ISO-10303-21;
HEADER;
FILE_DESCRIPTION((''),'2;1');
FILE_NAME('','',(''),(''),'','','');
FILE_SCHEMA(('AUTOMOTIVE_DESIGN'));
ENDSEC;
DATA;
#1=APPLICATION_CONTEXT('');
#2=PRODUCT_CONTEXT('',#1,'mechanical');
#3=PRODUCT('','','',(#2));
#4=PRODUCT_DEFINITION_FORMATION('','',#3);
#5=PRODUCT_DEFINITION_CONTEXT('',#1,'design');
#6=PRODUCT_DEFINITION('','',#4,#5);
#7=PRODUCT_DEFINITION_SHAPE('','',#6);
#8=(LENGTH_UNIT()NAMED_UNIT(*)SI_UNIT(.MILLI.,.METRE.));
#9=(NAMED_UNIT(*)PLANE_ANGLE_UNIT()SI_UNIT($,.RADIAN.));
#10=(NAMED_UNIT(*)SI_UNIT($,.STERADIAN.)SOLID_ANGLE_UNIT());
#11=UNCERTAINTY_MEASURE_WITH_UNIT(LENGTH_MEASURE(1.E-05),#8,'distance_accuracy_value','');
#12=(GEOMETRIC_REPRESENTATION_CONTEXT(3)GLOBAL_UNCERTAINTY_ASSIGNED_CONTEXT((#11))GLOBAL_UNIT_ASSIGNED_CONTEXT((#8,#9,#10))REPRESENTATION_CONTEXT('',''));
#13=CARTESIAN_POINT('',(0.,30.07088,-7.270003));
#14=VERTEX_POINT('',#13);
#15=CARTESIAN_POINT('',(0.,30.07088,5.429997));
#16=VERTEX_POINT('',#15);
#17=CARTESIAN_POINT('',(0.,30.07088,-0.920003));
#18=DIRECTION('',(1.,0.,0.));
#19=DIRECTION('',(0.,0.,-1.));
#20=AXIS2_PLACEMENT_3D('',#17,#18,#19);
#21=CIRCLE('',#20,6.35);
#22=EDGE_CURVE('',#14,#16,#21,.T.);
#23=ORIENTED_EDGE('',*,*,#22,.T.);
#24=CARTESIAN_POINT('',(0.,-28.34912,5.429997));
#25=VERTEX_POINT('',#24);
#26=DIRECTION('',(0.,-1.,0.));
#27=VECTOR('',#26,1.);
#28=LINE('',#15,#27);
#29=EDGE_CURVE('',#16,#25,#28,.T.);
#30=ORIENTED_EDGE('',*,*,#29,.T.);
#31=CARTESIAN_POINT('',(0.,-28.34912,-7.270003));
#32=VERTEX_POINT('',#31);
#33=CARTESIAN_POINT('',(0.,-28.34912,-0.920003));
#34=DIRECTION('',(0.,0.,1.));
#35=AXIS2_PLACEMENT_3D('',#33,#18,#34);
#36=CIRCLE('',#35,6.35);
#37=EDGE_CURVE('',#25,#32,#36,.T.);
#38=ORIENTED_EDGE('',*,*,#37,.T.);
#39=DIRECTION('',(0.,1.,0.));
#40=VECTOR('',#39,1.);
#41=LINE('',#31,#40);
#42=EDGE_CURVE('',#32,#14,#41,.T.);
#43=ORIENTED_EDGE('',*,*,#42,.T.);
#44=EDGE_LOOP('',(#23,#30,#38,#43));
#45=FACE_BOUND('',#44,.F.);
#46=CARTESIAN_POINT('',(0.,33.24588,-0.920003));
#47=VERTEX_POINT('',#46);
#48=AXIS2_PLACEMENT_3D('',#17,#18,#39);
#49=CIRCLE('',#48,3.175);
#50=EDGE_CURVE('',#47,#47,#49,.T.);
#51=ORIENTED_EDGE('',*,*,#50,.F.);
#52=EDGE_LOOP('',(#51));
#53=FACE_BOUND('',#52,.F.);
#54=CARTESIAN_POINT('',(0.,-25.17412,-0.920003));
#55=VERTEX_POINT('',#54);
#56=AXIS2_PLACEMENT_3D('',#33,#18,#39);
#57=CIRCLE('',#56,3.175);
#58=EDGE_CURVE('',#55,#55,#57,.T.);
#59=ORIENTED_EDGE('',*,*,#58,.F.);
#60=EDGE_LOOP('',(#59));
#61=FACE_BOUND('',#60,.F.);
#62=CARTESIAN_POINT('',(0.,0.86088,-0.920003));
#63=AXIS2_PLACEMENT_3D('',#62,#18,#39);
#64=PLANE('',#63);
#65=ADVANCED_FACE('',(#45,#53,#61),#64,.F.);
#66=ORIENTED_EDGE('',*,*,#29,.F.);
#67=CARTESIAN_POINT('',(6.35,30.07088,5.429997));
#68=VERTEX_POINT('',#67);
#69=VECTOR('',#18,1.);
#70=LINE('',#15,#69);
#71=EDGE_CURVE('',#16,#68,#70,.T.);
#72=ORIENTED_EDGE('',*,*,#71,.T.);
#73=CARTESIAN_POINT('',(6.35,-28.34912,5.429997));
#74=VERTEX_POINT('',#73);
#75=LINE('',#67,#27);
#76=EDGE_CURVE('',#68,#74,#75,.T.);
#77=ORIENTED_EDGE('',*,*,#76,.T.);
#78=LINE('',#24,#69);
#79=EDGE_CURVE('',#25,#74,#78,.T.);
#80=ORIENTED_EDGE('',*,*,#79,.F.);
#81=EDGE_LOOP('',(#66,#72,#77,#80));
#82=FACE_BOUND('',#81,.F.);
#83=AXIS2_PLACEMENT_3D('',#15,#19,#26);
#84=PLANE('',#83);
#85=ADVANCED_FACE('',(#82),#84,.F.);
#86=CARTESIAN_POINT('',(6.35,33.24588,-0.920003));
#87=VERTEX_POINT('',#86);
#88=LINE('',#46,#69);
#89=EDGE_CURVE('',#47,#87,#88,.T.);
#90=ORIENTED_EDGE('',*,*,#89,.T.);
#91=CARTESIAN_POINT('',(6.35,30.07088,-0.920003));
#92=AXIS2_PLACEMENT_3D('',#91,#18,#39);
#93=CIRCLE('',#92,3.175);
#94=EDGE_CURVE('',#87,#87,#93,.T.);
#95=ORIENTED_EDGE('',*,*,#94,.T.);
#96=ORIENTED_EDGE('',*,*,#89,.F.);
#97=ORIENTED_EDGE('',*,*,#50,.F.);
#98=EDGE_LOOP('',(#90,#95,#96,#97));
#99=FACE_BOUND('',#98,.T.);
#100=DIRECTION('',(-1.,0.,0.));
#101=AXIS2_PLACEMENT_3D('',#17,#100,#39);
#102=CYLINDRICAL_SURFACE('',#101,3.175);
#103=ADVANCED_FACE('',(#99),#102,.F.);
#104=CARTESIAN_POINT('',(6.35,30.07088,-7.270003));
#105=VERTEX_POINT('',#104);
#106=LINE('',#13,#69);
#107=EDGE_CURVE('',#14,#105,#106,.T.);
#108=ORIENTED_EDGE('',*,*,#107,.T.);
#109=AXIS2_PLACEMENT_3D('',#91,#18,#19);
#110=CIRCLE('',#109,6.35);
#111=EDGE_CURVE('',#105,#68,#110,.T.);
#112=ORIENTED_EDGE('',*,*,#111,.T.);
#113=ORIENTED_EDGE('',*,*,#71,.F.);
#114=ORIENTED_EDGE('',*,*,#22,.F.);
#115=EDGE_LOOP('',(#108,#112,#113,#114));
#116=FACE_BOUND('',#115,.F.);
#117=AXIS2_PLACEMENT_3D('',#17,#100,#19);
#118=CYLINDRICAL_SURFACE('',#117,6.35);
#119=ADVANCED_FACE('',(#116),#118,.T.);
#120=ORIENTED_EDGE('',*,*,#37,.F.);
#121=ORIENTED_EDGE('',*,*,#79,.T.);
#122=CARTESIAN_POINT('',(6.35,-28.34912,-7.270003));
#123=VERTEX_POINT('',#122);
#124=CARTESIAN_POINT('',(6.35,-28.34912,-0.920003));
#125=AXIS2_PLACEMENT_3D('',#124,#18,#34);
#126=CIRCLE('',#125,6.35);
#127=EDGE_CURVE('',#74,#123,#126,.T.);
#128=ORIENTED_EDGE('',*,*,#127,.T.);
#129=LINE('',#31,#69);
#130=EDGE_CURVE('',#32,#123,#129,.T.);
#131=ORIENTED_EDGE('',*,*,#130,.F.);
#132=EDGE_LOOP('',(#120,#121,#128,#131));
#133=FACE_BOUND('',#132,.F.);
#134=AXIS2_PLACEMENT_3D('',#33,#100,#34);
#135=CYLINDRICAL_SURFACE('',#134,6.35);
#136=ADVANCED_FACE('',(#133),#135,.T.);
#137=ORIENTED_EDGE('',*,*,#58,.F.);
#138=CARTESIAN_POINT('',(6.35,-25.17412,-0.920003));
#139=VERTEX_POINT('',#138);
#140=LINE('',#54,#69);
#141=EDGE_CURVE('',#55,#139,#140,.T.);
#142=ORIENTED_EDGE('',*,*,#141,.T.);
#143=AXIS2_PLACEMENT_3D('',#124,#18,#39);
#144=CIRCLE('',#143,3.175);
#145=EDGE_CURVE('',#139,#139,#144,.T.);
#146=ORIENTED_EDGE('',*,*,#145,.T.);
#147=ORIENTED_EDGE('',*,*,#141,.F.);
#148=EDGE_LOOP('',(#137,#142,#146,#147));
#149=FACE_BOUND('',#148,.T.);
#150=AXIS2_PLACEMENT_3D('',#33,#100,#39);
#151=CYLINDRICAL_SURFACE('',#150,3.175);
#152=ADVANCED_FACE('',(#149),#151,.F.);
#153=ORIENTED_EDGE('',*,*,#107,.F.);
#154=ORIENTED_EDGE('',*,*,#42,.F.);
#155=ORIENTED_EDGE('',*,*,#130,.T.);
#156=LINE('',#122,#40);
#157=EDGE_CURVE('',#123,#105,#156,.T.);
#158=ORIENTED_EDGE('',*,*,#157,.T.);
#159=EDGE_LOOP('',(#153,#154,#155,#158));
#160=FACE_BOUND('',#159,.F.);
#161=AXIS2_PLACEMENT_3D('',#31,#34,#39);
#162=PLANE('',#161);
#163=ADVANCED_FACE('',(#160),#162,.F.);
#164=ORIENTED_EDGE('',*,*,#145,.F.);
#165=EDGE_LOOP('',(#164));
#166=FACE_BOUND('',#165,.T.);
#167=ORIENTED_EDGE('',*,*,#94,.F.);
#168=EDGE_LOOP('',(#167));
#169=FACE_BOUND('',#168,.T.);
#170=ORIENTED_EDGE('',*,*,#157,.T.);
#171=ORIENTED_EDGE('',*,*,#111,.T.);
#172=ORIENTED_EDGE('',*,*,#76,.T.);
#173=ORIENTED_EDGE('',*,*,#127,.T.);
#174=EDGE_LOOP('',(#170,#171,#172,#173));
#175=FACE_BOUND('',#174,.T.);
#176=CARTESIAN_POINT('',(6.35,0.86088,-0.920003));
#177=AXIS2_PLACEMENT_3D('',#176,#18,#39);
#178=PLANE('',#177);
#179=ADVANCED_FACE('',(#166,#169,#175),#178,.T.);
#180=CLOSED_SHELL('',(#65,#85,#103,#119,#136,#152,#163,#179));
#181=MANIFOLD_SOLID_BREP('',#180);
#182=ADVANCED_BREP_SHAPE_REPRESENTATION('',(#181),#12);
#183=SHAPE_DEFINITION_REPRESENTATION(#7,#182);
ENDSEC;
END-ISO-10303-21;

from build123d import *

# Parameters (mm, degrees)
F0_R     = 3.175
F1_DEPTH = 6.35


with BuildPart() as f1:
    # F0 (on Right) → F1 (new body)
    with BuildSketch(Plane.YZ):
        with BuildLine():
            Line((30.07088, 5.429997), (-28.34912, 5.429997))
            ThreePointArc((-28.34912, 5.429997), (-34.69912, -0.920003), (-28.34912, -7.270003))
            Line((-28.34912, -7.270003), (30.07088, -7.270003))
            ThreePointArc((30.07088, -7.270003), (36.42088, -0.920003), (30.07088, 5.429997))
        make_face()
        with Locations((-28.34912, -0.920003)):
            Circle(F0_R, mode=Mode.SUBTRACT)
        with Locations((30.07088, -0.920003)):
            Circle(F0_R, mode=Mode.SUBTRACT)
    extrude(amount=F1_DEPTH)


solid = f1.part
